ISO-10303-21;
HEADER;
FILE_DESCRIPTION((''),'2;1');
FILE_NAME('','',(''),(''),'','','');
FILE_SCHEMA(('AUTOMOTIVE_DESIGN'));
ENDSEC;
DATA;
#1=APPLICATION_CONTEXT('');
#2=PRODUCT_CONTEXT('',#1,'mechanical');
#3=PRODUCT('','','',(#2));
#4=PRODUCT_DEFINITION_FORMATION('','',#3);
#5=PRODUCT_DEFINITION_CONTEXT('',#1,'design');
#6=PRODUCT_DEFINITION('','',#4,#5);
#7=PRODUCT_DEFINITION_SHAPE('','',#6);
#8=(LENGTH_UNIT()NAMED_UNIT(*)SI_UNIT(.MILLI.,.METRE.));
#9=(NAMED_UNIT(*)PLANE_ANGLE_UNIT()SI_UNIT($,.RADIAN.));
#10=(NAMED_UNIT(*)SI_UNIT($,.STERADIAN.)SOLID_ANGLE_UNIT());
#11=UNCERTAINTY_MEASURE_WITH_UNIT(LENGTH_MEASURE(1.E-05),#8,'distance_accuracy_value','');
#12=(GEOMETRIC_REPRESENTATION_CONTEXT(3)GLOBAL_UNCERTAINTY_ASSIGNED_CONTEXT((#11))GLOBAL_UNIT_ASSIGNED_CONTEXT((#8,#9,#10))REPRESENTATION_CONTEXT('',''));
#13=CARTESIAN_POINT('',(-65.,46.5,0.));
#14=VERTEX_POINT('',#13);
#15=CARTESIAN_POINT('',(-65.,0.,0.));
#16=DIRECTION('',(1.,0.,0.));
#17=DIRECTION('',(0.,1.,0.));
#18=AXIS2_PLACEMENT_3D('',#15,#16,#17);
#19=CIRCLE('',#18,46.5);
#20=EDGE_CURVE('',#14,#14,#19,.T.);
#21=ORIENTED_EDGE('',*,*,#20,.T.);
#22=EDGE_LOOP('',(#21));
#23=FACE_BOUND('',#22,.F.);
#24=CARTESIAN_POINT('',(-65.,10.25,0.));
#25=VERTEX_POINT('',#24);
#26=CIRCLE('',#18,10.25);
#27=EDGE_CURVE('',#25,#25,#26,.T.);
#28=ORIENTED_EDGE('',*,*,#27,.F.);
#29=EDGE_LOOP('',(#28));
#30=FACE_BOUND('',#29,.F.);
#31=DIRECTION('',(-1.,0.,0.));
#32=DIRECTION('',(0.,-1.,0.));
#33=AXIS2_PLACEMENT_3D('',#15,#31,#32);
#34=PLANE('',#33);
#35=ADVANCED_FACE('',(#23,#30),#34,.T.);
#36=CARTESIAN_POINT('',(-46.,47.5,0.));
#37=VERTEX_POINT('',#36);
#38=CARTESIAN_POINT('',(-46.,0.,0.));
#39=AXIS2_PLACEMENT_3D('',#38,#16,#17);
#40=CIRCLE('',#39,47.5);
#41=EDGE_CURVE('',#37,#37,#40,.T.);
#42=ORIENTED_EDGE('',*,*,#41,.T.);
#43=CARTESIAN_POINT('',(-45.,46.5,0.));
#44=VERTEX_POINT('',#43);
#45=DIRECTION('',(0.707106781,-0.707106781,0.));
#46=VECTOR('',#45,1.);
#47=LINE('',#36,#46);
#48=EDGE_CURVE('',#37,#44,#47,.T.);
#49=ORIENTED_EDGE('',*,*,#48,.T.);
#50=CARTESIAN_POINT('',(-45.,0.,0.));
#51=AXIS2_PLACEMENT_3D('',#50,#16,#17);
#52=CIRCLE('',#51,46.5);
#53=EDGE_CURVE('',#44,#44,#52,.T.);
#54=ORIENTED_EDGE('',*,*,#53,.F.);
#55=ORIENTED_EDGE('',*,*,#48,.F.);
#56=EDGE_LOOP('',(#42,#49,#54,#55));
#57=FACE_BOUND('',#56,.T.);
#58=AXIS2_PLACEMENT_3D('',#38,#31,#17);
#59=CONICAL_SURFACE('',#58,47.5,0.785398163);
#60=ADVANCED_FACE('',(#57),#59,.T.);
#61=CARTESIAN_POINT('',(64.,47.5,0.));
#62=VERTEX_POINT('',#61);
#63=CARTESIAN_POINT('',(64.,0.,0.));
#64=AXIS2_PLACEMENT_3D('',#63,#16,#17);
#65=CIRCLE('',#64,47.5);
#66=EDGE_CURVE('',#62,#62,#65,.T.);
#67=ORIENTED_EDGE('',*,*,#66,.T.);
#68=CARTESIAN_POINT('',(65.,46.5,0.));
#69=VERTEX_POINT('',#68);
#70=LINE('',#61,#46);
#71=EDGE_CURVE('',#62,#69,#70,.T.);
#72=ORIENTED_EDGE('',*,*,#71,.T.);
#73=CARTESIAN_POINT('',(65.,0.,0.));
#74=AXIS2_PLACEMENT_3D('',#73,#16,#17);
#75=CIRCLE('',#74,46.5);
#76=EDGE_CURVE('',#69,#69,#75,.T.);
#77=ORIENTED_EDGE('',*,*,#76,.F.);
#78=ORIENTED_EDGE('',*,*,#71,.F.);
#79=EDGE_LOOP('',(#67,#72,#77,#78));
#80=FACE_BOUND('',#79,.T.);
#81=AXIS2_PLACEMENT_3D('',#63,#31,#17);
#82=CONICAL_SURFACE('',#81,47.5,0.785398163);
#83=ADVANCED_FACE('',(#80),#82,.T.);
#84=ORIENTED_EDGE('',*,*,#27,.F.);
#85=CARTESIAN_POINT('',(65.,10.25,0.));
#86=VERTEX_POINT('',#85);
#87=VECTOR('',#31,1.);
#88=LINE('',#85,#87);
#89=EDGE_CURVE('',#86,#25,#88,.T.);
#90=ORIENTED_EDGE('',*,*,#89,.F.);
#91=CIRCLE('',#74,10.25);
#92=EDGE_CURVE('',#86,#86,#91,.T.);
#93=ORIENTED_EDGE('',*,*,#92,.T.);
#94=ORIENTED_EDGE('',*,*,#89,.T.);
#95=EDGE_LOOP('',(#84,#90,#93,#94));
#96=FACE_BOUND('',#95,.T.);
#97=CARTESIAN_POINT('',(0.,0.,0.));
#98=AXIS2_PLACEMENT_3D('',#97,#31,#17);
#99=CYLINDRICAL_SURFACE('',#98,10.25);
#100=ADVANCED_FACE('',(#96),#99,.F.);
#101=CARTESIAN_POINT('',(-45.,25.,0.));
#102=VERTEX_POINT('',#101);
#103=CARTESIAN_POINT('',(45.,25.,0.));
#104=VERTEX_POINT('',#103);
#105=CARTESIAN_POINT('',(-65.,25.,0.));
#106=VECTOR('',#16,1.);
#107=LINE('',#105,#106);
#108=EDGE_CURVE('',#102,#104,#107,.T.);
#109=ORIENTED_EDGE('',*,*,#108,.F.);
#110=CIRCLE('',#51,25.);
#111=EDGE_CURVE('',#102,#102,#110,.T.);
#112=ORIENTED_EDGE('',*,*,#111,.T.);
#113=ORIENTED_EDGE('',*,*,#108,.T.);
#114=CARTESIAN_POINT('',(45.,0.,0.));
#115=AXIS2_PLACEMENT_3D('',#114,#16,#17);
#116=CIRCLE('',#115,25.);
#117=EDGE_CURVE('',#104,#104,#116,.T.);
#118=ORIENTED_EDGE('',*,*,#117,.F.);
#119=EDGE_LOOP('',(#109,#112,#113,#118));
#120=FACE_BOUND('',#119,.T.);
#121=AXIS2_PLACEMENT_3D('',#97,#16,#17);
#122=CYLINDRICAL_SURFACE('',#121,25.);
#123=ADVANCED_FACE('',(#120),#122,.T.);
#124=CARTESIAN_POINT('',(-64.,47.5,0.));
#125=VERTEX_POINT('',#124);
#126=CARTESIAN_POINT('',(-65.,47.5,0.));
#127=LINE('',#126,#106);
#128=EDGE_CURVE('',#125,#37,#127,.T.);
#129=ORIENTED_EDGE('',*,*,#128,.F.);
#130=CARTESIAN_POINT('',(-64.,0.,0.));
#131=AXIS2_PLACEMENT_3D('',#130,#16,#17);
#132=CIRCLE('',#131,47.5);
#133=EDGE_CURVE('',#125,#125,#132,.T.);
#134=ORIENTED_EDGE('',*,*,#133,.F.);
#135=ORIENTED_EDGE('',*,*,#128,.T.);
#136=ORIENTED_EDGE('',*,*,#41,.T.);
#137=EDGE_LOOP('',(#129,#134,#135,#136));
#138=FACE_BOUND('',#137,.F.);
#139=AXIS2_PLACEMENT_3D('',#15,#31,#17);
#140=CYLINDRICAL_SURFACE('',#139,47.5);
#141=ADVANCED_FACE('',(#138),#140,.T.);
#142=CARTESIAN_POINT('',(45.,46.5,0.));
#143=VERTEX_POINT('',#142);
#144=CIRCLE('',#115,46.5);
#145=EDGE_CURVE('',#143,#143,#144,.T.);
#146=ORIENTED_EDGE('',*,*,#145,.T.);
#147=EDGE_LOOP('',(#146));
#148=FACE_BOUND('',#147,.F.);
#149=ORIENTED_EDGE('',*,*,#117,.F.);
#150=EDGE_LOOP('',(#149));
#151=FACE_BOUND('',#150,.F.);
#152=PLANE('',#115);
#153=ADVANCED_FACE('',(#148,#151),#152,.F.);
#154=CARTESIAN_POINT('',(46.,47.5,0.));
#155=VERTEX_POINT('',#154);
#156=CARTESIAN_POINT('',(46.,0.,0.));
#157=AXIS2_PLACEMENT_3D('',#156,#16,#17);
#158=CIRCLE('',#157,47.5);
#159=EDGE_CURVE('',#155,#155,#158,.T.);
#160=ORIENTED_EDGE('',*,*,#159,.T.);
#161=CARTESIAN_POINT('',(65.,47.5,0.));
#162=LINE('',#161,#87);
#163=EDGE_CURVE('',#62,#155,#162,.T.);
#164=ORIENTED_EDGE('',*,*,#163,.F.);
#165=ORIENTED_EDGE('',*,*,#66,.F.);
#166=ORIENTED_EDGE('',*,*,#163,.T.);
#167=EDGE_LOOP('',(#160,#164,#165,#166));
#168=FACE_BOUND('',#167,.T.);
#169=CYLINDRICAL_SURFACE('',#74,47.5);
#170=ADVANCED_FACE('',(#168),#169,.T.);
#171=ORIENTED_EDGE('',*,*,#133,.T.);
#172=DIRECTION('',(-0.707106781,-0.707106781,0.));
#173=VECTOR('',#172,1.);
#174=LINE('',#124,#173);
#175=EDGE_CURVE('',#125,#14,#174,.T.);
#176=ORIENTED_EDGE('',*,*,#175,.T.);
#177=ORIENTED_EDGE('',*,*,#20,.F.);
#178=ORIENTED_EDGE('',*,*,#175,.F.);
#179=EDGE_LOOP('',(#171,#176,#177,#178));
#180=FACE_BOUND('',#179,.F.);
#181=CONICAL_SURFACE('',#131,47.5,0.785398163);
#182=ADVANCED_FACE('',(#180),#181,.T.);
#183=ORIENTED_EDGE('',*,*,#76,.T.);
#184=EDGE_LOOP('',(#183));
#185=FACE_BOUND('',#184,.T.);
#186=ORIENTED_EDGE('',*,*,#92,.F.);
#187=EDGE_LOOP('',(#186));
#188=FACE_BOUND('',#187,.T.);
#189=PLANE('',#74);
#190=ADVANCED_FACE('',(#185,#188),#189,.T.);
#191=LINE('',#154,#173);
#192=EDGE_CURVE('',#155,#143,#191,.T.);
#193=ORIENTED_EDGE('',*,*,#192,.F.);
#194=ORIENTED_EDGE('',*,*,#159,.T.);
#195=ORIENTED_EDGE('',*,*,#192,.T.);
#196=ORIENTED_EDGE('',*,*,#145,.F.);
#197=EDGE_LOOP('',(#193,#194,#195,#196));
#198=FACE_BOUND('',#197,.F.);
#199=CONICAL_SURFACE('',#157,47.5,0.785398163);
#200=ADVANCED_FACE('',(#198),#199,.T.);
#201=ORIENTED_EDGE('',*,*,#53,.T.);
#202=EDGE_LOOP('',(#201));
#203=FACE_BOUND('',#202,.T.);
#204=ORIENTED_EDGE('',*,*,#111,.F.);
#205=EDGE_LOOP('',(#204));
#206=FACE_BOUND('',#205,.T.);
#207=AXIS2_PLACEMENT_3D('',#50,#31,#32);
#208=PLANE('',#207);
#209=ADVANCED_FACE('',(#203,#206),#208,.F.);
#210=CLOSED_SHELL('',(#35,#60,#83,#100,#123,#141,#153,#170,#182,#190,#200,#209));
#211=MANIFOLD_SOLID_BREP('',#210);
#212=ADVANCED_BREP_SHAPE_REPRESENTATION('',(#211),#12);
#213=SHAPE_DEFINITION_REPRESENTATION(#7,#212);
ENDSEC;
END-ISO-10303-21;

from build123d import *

# Parameters (mm, degrees)
F0_R     = 25
F0_R_2   = 10.25
F1_DEPTH = 65
F2_R     = 47.5
F2_R_2   = 25
F3_DEPTH = 20
F4_SIZE  = 1


with BuildPart() as f1:
    # F0 (on Right) → F1 (new body, symmetric)
    with BuildSketch(Plane.YZ):
        Circle(F0_R)
        Circle(F0_R_2, mode=Mode.SUBTRACT)
    extrude(amount=F1_DEPTH, both=True)

    # F2 (on face) → F3 (join)
    with BuildSketch(Plane.YZ.offset(65)):
        Circle(F2_R)
        Circle(F2_R_2, mode=Mode.SUBTRACT)
    extrude(amount=-F3_DEPTH)

    # F4
    f4_edges = [f1.edges().sort_by_distance(p)[0] for p in [
        (55, 47.5, 0),
        (65, -47.5, 0),
        (45, -47.5, 0),
    ]]
    chamfer(f4_edges, length=F4_SIZE)

    # F5: F1 across plane


with BuildPart() as f1_1:
    add(f1.part)
    add(f1.part.mirror(Plane.YZ))


solid = f1_1.part
